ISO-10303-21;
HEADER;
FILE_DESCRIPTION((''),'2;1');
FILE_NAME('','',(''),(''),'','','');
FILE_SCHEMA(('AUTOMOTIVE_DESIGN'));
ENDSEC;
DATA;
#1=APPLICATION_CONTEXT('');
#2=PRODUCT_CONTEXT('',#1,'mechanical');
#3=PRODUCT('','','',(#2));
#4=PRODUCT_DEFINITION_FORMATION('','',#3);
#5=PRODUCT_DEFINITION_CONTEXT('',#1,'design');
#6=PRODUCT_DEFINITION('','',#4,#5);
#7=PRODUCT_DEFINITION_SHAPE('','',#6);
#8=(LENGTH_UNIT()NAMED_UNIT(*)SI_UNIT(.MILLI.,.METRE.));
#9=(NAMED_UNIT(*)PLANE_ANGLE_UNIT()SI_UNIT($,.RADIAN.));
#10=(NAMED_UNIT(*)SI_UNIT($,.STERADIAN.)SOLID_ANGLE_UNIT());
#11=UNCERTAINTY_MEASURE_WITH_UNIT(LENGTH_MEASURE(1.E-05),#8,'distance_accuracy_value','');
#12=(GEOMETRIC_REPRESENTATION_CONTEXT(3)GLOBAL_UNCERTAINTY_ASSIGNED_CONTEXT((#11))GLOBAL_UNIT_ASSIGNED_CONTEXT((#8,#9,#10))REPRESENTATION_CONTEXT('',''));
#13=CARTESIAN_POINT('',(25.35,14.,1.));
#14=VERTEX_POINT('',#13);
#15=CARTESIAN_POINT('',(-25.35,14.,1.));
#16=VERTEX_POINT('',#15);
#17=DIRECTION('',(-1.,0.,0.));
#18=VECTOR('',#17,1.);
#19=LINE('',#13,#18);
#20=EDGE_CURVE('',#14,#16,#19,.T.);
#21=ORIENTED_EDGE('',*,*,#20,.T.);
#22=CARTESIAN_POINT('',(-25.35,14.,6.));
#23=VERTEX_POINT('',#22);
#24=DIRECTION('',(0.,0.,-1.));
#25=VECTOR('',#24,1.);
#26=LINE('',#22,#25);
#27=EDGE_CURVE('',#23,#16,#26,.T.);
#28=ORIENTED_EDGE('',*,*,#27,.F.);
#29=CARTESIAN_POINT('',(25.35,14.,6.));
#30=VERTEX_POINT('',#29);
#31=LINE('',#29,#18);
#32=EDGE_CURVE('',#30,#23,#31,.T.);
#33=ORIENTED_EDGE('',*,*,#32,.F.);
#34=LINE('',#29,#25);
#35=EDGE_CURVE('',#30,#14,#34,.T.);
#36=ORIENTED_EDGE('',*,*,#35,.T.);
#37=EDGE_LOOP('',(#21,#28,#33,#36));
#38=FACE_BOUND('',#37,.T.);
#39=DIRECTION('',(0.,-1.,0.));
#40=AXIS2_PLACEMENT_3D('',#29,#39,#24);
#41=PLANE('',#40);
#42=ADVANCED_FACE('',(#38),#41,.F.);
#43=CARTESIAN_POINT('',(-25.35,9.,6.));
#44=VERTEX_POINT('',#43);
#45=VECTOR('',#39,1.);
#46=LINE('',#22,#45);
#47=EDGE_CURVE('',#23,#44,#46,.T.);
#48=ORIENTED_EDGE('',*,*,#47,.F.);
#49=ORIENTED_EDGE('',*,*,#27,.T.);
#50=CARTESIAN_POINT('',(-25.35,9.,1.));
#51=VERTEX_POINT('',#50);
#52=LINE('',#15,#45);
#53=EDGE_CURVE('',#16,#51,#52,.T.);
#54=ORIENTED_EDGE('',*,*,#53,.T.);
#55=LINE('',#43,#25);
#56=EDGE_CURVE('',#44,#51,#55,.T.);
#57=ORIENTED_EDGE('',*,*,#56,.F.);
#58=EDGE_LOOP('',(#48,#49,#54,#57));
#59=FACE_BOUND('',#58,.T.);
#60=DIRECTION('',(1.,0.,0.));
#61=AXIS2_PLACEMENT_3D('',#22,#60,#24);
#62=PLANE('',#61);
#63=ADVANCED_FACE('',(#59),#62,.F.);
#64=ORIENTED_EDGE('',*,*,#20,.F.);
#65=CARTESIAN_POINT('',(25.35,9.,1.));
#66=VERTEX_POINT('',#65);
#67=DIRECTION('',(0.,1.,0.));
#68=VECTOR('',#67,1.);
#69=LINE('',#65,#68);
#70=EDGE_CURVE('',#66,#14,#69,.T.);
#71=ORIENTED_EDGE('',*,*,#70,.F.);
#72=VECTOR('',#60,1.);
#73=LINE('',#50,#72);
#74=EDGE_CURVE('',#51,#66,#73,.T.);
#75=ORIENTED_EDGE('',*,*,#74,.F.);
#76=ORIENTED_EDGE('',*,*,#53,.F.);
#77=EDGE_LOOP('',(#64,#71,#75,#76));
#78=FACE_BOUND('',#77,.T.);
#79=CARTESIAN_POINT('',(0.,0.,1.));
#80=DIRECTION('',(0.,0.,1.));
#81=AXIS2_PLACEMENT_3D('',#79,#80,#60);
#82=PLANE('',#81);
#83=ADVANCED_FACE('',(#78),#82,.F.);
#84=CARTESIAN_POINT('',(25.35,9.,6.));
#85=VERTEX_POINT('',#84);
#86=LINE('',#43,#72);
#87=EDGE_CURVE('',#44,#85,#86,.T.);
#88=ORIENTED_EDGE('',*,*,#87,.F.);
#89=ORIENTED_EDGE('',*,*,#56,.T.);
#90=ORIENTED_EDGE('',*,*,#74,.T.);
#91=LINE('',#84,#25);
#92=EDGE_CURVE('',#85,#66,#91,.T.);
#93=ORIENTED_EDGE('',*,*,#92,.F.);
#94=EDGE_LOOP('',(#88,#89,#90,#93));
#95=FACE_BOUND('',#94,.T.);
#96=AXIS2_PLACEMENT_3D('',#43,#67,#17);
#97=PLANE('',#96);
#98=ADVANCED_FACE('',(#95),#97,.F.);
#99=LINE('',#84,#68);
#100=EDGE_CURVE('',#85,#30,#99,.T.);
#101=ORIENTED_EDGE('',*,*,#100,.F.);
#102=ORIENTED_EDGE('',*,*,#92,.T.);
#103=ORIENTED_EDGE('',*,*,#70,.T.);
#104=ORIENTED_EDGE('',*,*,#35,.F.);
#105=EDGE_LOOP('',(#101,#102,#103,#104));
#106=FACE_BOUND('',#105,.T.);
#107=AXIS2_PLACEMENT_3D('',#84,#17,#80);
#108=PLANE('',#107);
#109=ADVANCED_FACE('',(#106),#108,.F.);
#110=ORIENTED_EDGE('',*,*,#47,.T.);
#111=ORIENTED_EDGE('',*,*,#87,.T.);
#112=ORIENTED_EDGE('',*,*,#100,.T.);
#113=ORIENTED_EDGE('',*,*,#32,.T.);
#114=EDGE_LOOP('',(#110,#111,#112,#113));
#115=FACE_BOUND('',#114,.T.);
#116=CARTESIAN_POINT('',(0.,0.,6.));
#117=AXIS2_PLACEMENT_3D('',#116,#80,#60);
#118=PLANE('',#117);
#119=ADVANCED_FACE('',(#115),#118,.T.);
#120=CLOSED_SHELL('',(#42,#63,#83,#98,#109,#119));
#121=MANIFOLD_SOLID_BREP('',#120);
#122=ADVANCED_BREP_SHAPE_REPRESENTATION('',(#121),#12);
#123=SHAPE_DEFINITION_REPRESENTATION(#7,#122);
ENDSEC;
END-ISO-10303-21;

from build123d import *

# Parameters (mm, degrees)
SKETCH2_W           = 50.7
SKETCH2_H           = 5
BOSS_EXTRUDE1_DEPTH = 5


with BuildPart() as part:
    # Sketch2 → Boss-Extrude1 (new body)
    with BuildSketch(Plane.XY.offset(1)):
        with Locations((0, 11.5)):
            Rectangle(SKETCH2_W, SKETCH2_H)
    extrude(amount=BOSS_EXTRUDE1_DEPTH)


solid = part.part
